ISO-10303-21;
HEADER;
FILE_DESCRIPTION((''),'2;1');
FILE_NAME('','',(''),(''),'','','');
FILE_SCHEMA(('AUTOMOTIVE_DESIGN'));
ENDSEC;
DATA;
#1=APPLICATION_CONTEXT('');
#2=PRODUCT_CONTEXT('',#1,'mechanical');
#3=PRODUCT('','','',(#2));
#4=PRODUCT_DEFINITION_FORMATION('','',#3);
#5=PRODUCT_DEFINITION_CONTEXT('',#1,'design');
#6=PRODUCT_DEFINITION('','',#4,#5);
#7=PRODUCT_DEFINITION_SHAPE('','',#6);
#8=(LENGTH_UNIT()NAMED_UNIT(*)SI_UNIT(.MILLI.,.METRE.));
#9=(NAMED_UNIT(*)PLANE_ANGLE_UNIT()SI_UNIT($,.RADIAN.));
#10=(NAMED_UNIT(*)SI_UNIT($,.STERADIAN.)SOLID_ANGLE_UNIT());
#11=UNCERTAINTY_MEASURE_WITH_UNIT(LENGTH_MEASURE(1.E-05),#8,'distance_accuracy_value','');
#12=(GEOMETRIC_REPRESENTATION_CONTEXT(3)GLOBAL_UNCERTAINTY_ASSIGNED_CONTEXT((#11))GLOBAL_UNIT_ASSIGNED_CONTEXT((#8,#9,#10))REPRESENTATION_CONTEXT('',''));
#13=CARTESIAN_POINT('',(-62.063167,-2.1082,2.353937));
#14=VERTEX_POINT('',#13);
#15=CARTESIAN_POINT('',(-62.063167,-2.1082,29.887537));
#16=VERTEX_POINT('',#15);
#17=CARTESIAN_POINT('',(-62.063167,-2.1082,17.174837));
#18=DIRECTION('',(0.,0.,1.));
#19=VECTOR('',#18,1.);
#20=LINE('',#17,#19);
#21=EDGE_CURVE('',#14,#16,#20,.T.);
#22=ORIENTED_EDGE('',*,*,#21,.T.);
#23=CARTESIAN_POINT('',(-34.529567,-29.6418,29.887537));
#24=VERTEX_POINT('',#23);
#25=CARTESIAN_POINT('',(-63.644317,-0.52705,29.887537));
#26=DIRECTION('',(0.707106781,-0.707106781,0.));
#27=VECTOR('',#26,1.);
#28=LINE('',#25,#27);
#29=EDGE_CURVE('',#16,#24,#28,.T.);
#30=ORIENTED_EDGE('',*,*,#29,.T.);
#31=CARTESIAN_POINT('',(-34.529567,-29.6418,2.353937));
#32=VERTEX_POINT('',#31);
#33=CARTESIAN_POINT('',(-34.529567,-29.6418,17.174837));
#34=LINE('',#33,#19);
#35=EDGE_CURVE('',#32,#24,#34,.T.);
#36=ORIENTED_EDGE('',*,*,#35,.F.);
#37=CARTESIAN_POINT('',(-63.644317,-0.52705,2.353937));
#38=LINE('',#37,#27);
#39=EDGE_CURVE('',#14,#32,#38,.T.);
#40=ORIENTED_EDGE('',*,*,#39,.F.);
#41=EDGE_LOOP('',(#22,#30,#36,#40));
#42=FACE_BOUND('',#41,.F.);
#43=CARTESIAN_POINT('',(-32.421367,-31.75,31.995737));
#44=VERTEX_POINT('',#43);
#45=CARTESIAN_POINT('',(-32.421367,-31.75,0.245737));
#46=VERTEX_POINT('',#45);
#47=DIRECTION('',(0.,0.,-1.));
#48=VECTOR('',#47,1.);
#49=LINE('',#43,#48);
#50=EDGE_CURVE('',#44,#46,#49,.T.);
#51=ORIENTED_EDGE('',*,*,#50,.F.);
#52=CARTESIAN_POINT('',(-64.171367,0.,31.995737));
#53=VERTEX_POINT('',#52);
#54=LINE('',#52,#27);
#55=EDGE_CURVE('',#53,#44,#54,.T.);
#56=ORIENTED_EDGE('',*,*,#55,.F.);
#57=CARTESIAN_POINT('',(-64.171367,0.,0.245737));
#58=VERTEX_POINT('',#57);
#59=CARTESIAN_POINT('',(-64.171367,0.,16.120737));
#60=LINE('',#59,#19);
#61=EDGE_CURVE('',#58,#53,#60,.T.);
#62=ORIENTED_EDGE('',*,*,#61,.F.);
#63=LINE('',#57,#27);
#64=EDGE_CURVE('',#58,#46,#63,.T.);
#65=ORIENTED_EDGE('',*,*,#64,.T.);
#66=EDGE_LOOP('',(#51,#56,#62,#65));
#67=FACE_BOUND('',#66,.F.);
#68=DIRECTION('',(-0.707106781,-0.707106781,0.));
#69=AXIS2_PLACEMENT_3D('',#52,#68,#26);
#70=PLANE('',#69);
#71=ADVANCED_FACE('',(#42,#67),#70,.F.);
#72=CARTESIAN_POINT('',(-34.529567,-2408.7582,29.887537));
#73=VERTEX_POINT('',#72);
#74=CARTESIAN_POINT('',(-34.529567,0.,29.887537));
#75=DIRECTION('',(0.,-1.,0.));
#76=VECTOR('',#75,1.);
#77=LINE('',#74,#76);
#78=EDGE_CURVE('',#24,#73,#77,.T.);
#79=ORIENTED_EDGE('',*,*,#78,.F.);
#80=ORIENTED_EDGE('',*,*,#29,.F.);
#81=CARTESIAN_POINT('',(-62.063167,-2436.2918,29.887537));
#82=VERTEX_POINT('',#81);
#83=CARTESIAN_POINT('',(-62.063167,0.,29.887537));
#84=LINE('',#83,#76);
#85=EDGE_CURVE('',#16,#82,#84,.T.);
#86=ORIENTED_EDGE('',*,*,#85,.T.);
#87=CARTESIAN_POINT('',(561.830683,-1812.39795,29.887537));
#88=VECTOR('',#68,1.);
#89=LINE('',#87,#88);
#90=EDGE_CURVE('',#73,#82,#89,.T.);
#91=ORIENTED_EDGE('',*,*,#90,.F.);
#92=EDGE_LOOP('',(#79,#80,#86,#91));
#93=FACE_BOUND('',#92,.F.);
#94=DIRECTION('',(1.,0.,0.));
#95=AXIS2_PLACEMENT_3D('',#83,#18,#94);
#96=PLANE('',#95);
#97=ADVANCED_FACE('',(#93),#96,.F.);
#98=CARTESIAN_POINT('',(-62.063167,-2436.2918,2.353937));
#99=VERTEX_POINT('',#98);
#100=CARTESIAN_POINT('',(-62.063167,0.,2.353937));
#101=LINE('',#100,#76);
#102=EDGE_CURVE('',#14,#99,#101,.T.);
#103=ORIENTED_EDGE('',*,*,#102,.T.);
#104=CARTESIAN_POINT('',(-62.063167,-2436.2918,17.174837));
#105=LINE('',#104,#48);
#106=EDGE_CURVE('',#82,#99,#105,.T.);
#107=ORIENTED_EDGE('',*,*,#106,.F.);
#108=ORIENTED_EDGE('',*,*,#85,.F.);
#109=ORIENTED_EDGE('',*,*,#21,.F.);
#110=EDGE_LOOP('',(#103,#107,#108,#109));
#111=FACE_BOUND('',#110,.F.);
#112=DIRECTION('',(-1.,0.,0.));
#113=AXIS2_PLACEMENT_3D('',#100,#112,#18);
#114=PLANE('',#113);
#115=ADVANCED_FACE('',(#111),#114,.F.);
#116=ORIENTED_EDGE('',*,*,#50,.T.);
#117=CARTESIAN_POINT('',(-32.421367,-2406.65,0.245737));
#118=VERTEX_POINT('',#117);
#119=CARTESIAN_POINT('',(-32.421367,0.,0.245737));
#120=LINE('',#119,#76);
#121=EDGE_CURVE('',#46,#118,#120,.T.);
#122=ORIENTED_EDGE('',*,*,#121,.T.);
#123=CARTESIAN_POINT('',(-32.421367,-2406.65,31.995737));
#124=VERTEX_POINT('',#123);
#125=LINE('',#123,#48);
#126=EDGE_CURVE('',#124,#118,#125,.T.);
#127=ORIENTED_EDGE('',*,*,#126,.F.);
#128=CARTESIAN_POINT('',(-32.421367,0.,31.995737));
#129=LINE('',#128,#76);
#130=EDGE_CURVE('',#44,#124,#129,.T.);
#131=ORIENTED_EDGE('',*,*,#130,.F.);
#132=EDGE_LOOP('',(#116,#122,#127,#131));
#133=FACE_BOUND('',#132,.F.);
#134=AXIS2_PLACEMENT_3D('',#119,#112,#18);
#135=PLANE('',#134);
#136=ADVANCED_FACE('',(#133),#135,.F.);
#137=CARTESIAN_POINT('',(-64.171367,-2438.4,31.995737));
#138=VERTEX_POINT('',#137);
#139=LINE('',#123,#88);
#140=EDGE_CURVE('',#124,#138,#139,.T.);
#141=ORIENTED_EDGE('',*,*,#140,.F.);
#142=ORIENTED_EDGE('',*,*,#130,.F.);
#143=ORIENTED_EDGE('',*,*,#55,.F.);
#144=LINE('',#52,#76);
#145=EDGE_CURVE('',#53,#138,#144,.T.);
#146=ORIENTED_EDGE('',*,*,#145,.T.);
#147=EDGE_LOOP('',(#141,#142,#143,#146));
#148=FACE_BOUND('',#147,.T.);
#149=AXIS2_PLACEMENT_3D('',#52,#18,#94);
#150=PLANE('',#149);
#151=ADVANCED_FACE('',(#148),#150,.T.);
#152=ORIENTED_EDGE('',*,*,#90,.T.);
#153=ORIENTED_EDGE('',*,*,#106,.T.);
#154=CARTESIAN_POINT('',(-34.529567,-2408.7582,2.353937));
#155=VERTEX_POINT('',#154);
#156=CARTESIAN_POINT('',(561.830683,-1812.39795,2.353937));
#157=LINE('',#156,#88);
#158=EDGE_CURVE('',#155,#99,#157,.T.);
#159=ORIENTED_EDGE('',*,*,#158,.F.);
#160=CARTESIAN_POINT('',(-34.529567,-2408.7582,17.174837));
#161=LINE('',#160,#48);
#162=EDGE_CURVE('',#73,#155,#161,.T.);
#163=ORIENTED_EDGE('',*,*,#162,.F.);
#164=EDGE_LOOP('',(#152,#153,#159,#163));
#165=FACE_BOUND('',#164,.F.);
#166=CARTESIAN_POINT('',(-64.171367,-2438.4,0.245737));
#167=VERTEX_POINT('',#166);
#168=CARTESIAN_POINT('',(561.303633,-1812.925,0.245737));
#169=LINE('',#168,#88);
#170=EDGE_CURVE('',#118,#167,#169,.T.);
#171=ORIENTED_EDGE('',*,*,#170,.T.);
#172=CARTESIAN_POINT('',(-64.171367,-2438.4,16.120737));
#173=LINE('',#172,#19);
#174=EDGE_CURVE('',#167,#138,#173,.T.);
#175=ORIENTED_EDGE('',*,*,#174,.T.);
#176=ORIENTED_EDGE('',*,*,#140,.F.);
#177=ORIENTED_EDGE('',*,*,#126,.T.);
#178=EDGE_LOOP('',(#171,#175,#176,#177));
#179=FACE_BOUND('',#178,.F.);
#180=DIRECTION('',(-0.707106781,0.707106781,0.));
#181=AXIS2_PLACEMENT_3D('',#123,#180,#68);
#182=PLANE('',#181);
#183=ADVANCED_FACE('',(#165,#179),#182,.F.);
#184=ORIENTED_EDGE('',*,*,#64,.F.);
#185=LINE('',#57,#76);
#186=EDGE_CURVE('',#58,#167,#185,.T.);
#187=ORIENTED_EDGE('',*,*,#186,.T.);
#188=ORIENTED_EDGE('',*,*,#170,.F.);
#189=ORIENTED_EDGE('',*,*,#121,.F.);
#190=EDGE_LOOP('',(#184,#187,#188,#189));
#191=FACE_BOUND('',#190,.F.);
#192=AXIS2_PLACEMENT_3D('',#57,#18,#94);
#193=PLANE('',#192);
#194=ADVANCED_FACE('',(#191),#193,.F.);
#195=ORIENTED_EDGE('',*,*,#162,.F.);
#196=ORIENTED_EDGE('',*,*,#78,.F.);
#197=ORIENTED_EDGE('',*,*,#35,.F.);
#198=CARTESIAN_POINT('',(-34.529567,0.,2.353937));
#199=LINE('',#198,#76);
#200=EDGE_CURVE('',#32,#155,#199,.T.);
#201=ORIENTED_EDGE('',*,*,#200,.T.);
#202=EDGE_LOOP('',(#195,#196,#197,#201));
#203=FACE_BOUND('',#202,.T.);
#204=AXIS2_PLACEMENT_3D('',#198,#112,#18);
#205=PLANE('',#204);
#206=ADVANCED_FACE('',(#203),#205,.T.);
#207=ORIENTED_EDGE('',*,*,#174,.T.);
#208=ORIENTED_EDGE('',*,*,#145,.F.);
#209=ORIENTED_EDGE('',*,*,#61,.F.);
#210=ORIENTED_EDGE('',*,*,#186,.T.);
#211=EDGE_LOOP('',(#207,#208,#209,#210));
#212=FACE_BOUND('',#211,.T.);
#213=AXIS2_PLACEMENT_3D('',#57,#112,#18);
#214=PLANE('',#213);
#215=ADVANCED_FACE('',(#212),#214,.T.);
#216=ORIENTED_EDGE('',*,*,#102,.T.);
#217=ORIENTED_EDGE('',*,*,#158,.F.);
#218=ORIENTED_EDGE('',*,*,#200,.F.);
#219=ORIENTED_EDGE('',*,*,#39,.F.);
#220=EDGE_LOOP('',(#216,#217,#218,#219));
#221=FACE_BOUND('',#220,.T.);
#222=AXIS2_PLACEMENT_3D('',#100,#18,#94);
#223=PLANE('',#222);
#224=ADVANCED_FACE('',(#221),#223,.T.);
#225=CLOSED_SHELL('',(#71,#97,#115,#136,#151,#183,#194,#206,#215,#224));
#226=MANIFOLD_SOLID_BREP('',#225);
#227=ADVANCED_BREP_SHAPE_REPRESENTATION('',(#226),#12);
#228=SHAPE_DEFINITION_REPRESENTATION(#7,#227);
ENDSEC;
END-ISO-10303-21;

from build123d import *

# Parameters (mm, degrees)
F0_W     = 31.75
F0_H     = 31.75
F0_W_2   = 27.5336
F0_H_2   = 27.5336
F1_DEPTH = 2438.4
F3_DEPTH = 76.2


with BuildPart() as f1:
    # F0 (on Front) → F1 (new body)
    with BuildSketch(Plane.XZ):
        with Locations((-48.296367, 16.120737)):
            Rectangle(F0_W, F0_H)
        with Locations((-48.296367, 16.120737)):
            Rectangle(F0_W_2, F0_H_2, mode=Mode.SUBTRACT)
    extrude(amount=F1_DEPTH)

    # F2 (on face) → F3 (cut)
    with BuildSketch(Plane.XY.offset(31.995737)):
        Polygon((-32.421367, 0), (-64.171367, 0), (-32.421367, -31.75), align=None)
        Polygon((-32.421367, -2406.65), (-64.171367, -2438.4), (-32.421367, -2438.4), align=None)
    extrude(amount=-F3_DEPTH, mode=Mode.SUBTRACT)


solid = f1.part
